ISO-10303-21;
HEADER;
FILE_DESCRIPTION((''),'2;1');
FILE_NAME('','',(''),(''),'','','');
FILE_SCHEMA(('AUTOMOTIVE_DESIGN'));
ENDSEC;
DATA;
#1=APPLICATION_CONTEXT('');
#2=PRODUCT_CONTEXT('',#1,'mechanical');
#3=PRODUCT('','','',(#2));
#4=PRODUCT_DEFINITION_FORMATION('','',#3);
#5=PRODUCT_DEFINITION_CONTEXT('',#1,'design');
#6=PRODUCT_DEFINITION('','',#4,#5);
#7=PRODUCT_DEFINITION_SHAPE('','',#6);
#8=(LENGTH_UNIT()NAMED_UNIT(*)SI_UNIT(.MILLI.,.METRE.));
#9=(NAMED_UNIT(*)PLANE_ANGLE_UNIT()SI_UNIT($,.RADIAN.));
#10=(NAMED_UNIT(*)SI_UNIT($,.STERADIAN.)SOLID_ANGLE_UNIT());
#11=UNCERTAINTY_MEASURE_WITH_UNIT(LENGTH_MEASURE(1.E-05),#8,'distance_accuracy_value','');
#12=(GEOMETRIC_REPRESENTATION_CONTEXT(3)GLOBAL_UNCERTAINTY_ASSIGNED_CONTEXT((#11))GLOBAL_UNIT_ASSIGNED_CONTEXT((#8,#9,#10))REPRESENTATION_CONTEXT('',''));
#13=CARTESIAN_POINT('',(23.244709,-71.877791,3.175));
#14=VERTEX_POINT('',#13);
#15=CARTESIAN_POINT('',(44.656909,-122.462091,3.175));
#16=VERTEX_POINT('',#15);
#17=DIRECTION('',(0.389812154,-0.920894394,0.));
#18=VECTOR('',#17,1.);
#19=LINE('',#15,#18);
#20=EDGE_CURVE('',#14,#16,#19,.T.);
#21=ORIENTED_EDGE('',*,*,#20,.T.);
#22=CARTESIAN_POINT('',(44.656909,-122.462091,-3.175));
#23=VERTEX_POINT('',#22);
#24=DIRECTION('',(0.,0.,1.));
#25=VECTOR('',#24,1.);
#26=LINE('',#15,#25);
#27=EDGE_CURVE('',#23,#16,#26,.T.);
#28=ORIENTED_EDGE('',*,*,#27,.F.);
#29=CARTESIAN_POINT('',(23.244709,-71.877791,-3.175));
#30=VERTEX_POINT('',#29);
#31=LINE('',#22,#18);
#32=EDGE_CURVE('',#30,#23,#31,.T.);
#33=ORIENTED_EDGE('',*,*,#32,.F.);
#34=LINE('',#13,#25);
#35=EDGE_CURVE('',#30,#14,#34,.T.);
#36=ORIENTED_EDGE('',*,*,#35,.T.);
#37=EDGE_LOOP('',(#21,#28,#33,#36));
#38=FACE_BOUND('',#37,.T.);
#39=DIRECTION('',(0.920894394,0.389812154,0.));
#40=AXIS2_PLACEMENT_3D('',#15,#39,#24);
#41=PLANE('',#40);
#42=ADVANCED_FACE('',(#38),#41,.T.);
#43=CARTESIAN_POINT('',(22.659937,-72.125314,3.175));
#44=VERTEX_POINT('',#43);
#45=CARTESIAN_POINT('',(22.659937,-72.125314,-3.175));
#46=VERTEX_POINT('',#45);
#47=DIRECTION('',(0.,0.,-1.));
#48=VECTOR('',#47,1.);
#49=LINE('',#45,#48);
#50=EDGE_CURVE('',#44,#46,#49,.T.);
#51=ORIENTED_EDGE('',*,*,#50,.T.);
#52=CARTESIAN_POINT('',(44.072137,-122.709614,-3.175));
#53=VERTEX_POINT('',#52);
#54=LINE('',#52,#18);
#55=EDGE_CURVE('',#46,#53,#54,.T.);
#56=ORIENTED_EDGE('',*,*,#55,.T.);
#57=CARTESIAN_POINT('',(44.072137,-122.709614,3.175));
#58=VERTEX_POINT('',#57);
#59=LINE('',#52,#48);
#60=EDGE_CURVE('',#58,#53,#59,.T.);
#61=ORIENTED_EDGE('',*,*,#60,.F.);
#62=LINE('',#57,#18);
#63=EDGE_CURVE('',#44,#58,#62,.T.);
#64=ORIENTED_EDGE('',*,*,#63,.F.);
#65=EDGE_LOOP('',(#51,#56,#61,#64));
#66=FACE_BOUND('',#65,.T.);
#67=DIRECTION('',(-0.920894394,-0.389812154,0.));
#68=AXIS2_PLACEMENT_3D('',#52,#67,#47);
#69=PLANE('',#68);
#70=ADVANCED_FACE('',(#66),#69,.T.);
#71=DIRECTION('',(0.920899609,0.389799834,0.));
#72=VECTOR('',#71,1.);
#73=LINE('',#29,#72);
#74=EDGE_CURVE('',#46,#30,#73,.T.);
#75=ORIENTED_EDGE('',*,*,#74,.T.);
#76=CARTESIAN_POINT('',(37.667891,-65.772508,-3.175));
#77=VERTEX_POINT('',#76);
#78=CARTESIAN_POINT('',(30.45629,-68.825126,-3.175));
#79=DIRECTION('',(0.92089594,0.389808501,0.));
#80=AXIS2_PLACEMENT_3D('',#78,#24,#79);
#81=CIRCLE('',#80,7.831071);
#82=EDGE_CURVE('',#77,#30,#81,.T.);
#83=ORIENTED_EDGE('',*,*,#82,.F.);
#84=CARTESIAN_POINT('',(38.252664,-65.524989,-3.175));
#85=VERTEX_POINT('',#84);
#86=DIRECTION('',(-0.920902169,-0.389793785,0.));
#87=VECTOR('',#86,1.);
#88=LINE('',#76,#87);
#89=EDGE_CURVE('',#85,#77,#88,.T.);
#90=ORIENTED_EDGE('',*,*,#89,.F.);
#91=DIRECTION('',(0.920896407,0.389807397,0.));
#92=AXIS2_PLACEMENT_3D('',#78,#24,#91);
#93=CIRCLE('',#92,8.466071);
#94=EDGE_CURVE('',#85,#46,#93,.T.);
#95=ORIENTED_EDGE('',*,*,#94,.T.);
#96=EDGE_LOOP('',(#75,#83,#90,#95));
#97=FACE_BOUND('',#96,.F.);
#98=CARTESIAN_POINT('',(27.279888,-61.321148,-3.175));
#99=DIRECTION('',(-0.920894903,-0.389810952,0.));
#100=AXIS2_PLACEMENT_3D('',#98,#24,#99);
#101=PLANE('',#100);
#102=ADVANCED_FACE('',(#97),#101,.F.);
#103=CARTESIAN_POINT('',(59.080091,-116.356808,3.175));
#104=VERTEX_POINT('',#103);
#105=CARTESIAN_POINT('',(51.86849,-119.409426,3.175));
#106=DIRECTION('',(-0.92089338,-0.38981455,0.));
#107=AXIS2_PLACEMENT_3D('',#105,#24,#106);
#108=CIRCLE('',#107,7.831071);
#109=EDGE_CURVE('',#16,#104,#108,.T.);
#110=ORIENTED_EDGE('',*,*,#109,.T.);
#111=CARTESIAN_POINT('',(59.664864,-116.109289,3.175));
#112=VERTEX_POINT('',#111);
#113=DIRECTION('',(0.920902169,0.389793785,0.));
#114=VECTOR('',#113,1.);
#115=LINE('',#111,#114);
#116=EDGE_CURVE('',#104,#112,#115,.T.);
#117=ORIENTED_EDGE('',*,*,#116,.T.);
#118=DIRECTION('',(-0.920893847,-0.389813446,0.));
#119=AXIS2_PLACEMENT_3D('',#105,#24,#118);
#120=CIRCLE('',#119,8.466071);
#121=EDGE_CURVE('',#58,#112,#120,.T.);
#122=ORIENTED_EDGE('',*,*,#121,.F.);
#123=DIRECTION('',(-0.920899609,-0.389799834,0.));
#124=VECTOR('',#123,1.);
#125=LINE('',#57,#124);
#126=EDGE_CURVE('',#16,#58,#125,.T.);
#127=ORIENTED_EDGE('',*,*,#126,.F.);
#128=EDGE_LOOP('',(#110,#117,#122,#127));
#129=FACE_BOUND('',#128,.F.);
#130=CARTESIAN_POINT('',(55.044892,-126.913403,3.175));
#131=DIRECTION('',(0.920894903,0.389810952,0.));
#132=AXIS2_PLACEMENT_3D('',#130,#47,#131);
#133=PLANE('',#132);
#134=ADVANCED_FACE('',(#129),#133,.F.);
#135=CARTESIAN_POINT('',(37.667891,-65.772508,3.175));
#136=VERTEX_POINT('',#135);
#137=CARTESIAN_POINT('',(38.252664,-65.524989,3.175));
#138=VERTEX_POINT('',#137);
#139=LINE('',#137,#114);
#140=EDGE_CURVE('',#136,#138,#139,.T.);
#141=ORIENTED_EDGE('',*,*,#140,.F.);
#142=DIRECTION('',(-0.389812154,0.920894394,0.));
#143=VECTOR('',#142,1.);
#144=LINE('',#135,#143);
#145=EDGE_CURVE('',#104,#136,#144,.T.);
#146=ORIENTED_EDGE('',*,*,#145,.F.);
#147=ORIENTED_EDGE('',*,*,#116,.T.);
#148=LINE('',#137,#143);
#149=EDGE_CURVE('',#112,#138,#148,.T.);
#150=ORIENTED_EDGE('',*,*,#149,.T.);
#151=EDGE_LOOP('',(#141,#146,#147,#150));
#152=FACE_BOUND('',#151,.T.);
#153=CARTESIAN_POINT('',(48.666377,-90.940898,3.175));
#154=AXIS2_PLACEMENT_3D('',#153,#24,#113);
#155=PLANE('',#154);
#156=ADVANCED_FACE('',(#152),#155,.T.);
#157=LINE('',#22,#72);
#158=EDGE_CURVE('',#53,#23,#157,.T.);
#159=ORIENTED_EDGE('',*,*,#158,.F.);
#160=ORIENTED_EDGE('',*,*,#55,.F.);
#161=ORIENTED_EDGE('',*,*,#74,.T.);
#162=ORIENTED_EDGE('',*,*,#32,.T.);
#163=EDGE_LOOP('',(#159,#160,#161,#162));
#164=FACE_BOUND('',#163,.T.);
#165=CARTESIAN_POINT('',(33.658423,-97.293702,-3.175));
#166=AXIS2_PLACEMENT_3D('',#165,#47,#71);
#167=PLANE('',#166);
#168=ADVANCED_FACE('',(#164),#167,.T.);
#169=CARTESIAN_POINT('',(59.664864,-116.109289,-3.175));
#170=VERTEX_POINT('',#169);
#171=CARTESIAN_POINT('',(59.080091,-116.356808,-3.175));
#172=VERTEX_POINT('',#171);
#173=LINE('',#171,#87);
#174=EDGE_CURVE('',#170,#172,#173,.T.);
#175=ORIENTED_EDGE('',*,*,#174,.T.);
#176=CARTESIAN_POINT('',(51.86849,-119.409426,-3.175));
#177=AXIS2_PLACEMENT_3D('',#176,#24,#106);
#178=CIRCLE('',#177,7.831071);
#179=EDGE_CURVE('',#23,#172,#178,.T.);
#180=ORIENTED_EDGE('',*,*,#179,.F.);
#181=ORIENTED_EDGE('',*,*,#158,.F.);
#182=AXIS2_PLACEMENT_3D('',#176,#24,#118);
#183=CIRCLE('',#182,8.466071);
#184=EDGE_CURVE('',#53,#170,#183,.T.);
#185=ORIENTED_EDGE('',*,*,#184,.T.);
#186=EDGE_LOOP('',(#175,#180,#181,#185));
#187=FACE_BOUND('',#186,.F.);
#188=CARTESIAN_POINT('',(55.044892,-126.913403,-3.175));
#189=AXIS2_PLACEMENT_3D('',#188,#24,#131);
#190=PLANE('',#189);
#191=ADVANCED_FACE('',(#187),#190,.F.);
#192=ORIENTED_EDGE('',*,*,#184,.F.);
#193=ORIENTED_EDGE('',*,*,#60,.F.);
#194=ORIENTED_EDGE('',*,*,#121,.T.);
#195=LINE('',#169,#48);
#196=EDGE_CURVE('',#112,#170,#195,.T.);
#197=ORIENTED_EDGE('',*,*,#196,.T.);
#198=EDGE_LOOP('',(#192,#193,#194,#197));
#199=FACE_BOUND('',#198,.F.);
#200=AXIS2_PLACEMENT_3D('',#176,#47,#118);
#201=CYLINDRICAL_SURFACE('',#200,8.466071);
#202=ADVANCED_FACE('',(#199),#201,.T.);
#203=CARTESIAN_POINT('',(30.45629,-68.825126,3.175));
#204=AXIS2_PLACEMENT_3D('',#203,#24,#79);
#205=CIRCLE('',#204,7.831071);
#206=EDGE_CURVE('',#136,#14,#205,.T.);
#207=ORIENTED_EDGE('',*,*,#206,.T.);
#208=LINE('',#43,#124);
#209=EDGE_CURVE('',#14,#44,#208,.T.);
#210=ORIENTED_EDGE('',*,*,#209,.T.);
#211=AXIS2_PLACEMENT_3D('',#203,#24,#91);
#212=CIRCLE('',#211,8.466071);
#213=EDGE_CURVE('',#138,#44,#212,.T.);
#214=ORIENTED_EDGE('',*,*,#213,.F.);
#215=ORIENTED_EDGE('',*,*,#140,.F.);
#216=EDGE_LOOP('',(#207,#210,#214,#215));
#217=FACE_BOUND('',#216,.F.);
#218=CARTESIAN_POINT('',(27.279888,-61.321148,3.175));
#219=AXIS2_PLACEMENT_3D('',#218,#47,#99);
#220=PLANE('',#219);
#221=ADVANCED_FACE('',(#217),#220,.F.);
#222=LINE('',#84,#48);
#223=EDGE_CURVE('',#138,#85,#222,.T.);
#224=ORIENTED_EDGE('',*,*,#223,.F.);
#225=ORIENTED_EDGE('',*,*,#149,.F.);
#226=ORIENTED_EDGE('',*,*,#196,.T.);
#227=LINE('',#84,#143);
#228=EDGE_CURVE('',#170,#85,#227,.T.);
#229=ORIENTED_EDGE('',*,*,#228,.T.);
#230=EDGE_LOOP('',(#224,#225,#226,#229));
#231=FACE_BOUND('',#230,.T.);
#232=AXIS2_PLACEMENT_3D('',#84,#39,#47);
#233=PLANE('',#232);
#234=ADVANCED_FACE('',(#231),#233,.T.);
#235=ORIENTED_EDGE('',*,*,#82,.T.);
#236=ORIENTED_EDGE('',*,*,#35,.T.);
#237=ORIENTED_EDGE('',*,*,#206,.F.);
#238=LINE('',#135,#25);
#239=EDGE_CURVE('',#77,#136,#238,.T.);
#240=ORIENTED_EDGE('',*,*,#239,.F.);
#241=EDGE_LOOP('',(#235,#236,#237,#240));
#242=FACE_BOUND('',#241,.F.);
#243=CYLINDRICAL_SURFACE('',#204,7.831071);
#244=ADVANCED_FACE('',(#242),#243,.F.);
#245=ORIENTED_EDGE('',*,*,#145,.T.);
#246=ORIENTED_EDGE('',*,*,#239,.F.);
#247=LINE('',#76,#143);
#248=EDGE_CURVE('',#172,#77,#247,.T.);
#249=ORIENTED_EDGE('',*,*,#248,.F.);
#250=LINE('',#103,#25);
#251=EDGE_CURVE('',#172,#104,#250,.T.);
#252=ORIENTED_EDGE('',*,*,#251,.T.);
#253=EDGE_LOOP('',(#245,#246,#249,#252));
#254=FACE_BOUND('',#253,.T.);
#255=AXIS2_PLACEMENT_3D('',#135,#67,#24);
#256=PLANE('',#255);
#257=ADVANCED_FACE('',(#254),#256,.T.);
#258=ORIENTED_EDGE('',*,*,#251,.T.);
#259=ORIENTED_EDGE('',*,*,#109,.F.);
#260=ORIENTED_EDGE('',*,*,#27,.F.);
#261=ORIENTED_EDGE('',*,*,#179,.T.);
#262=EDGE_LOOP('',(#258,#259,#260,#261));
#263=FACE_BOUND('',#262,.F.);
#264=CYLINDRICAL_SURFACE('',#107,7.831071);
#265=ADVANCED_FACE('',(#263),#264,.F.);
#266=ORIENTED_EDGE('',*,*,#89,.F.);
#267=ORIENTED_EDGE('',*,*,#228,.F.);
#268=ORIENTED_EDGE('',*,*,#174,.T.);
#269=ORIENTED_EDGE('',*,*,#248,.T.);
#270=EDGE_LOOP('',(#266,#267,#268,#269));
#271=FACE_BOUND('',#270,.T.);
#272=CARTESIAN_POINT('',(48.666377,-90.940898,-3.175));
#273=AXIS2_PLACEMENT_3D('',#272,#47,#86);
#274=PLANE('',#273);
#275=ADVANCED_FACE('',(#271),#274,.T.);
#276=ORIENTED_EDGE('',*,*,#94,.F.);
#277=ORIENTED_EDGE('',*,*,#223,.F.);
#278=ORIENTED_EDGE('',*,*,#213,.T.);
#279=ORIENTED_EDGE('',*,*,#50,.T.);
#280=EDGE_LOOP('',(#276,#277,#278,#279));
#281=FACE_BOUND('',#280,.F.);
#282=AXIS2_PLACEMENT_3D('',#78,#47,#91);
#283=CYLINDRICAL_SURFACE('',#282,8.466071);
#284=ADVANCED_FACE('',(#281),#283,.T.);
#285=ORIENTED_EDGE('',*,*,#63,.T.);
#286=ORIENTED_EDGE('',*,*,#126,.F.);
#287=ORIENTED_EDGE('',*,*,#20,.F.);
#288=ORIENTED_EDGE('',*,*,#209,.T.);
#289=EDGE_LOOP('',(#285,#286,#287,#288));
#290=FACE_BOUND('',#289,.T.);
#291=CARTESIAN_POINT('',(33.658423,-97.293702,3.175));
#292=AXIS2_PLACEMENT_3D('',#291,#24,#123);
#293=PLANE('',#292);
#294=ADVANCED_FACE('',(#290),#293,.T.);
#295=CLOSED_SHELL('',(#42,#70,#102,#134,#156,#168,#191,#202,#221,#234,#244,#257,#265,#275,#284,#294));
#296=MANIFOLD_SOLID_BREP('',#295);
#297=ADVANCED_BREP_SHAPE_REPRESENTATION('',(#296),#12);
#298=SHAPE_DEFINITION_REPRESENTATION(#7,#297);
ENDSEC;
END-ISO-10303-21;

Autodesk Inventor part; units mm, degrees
sketch "Sketch Path" plane through (0, 0, 0) normal (0, 0, 1) x (1, 0, 0)
  arc A0 (37.9018, -65.6735) -> (23.0108, -71.9768) centre (30.4563, -68.8251) ccw
  arc A1 (44.423, -122.5611) -> (59.314, -116.2578) centre (51.8685, -119.4094) ccw
  line L0 (44.423, -122.5611) -> (23.0108, -71.9768)
  line L1 (37.9018, -65.6735) -> (59.314, -116.2578)
ref_plane "Cross Section Plane" through (23.0108, -71.9768, 0) normal (0.3898, -0.9209, 0) x (0, 0, 1)
ref_plane "Work Plane2" through (30.4563, -68.8251, 0) normal (-1, 0, 0) x (0, 0, 1)
ref_plane "Work Plane3" through (51.8685, -119.4094, 0) normal (-0.3167, 0.9485, 0) x (0, 0, 1)
sketch "Cross Section" plane through (23.0108, -71.9768, 0) normal (0.3898, -0.9209, 0) x (0, 0, 1)
  line L0 (-3.175, 0.381) -> (3.175, 0.381)
  line L1 (3.175, 0.381) -> (3.175, -0.254)
  line L2 (3.175, -0.254) -> (-3.175, -0.254)
  line L3 (-3.175, -0.254) -> (-3.175, 0.381)
  line L4 (-3.175, 0) -> (3.175, 0) construction
  point P0 (0, 0)
  point P1 (0, 0)
  dimension "d0" = 6.35
  dimension "d4" = 0.254
  dimension "d5" = 0.381
sweep "Belt" add profiles "Cross Section" path "Sketch Path"
equation "\"d0\" = da_B"
equation "\"d4\" = da_a"
equation "\"d5\" = da_a2"
equation "\"da_B\" = 6.35"
equation "\"da_pb\" = 2.032"
equation "\"da_L\" = 160.659"
equation "\"da_a\" = 0.254"
equation "\"da_S\" = 1.143"
equation "\"da_Beta\" = 20deg"
equation "\"da_Ht\" = 0.508"
equation "\"da_H\" = 1.143"
equation "\"da_a2\" = 0.381"
properties part number "Synchronous Belt" material "Rubber"
